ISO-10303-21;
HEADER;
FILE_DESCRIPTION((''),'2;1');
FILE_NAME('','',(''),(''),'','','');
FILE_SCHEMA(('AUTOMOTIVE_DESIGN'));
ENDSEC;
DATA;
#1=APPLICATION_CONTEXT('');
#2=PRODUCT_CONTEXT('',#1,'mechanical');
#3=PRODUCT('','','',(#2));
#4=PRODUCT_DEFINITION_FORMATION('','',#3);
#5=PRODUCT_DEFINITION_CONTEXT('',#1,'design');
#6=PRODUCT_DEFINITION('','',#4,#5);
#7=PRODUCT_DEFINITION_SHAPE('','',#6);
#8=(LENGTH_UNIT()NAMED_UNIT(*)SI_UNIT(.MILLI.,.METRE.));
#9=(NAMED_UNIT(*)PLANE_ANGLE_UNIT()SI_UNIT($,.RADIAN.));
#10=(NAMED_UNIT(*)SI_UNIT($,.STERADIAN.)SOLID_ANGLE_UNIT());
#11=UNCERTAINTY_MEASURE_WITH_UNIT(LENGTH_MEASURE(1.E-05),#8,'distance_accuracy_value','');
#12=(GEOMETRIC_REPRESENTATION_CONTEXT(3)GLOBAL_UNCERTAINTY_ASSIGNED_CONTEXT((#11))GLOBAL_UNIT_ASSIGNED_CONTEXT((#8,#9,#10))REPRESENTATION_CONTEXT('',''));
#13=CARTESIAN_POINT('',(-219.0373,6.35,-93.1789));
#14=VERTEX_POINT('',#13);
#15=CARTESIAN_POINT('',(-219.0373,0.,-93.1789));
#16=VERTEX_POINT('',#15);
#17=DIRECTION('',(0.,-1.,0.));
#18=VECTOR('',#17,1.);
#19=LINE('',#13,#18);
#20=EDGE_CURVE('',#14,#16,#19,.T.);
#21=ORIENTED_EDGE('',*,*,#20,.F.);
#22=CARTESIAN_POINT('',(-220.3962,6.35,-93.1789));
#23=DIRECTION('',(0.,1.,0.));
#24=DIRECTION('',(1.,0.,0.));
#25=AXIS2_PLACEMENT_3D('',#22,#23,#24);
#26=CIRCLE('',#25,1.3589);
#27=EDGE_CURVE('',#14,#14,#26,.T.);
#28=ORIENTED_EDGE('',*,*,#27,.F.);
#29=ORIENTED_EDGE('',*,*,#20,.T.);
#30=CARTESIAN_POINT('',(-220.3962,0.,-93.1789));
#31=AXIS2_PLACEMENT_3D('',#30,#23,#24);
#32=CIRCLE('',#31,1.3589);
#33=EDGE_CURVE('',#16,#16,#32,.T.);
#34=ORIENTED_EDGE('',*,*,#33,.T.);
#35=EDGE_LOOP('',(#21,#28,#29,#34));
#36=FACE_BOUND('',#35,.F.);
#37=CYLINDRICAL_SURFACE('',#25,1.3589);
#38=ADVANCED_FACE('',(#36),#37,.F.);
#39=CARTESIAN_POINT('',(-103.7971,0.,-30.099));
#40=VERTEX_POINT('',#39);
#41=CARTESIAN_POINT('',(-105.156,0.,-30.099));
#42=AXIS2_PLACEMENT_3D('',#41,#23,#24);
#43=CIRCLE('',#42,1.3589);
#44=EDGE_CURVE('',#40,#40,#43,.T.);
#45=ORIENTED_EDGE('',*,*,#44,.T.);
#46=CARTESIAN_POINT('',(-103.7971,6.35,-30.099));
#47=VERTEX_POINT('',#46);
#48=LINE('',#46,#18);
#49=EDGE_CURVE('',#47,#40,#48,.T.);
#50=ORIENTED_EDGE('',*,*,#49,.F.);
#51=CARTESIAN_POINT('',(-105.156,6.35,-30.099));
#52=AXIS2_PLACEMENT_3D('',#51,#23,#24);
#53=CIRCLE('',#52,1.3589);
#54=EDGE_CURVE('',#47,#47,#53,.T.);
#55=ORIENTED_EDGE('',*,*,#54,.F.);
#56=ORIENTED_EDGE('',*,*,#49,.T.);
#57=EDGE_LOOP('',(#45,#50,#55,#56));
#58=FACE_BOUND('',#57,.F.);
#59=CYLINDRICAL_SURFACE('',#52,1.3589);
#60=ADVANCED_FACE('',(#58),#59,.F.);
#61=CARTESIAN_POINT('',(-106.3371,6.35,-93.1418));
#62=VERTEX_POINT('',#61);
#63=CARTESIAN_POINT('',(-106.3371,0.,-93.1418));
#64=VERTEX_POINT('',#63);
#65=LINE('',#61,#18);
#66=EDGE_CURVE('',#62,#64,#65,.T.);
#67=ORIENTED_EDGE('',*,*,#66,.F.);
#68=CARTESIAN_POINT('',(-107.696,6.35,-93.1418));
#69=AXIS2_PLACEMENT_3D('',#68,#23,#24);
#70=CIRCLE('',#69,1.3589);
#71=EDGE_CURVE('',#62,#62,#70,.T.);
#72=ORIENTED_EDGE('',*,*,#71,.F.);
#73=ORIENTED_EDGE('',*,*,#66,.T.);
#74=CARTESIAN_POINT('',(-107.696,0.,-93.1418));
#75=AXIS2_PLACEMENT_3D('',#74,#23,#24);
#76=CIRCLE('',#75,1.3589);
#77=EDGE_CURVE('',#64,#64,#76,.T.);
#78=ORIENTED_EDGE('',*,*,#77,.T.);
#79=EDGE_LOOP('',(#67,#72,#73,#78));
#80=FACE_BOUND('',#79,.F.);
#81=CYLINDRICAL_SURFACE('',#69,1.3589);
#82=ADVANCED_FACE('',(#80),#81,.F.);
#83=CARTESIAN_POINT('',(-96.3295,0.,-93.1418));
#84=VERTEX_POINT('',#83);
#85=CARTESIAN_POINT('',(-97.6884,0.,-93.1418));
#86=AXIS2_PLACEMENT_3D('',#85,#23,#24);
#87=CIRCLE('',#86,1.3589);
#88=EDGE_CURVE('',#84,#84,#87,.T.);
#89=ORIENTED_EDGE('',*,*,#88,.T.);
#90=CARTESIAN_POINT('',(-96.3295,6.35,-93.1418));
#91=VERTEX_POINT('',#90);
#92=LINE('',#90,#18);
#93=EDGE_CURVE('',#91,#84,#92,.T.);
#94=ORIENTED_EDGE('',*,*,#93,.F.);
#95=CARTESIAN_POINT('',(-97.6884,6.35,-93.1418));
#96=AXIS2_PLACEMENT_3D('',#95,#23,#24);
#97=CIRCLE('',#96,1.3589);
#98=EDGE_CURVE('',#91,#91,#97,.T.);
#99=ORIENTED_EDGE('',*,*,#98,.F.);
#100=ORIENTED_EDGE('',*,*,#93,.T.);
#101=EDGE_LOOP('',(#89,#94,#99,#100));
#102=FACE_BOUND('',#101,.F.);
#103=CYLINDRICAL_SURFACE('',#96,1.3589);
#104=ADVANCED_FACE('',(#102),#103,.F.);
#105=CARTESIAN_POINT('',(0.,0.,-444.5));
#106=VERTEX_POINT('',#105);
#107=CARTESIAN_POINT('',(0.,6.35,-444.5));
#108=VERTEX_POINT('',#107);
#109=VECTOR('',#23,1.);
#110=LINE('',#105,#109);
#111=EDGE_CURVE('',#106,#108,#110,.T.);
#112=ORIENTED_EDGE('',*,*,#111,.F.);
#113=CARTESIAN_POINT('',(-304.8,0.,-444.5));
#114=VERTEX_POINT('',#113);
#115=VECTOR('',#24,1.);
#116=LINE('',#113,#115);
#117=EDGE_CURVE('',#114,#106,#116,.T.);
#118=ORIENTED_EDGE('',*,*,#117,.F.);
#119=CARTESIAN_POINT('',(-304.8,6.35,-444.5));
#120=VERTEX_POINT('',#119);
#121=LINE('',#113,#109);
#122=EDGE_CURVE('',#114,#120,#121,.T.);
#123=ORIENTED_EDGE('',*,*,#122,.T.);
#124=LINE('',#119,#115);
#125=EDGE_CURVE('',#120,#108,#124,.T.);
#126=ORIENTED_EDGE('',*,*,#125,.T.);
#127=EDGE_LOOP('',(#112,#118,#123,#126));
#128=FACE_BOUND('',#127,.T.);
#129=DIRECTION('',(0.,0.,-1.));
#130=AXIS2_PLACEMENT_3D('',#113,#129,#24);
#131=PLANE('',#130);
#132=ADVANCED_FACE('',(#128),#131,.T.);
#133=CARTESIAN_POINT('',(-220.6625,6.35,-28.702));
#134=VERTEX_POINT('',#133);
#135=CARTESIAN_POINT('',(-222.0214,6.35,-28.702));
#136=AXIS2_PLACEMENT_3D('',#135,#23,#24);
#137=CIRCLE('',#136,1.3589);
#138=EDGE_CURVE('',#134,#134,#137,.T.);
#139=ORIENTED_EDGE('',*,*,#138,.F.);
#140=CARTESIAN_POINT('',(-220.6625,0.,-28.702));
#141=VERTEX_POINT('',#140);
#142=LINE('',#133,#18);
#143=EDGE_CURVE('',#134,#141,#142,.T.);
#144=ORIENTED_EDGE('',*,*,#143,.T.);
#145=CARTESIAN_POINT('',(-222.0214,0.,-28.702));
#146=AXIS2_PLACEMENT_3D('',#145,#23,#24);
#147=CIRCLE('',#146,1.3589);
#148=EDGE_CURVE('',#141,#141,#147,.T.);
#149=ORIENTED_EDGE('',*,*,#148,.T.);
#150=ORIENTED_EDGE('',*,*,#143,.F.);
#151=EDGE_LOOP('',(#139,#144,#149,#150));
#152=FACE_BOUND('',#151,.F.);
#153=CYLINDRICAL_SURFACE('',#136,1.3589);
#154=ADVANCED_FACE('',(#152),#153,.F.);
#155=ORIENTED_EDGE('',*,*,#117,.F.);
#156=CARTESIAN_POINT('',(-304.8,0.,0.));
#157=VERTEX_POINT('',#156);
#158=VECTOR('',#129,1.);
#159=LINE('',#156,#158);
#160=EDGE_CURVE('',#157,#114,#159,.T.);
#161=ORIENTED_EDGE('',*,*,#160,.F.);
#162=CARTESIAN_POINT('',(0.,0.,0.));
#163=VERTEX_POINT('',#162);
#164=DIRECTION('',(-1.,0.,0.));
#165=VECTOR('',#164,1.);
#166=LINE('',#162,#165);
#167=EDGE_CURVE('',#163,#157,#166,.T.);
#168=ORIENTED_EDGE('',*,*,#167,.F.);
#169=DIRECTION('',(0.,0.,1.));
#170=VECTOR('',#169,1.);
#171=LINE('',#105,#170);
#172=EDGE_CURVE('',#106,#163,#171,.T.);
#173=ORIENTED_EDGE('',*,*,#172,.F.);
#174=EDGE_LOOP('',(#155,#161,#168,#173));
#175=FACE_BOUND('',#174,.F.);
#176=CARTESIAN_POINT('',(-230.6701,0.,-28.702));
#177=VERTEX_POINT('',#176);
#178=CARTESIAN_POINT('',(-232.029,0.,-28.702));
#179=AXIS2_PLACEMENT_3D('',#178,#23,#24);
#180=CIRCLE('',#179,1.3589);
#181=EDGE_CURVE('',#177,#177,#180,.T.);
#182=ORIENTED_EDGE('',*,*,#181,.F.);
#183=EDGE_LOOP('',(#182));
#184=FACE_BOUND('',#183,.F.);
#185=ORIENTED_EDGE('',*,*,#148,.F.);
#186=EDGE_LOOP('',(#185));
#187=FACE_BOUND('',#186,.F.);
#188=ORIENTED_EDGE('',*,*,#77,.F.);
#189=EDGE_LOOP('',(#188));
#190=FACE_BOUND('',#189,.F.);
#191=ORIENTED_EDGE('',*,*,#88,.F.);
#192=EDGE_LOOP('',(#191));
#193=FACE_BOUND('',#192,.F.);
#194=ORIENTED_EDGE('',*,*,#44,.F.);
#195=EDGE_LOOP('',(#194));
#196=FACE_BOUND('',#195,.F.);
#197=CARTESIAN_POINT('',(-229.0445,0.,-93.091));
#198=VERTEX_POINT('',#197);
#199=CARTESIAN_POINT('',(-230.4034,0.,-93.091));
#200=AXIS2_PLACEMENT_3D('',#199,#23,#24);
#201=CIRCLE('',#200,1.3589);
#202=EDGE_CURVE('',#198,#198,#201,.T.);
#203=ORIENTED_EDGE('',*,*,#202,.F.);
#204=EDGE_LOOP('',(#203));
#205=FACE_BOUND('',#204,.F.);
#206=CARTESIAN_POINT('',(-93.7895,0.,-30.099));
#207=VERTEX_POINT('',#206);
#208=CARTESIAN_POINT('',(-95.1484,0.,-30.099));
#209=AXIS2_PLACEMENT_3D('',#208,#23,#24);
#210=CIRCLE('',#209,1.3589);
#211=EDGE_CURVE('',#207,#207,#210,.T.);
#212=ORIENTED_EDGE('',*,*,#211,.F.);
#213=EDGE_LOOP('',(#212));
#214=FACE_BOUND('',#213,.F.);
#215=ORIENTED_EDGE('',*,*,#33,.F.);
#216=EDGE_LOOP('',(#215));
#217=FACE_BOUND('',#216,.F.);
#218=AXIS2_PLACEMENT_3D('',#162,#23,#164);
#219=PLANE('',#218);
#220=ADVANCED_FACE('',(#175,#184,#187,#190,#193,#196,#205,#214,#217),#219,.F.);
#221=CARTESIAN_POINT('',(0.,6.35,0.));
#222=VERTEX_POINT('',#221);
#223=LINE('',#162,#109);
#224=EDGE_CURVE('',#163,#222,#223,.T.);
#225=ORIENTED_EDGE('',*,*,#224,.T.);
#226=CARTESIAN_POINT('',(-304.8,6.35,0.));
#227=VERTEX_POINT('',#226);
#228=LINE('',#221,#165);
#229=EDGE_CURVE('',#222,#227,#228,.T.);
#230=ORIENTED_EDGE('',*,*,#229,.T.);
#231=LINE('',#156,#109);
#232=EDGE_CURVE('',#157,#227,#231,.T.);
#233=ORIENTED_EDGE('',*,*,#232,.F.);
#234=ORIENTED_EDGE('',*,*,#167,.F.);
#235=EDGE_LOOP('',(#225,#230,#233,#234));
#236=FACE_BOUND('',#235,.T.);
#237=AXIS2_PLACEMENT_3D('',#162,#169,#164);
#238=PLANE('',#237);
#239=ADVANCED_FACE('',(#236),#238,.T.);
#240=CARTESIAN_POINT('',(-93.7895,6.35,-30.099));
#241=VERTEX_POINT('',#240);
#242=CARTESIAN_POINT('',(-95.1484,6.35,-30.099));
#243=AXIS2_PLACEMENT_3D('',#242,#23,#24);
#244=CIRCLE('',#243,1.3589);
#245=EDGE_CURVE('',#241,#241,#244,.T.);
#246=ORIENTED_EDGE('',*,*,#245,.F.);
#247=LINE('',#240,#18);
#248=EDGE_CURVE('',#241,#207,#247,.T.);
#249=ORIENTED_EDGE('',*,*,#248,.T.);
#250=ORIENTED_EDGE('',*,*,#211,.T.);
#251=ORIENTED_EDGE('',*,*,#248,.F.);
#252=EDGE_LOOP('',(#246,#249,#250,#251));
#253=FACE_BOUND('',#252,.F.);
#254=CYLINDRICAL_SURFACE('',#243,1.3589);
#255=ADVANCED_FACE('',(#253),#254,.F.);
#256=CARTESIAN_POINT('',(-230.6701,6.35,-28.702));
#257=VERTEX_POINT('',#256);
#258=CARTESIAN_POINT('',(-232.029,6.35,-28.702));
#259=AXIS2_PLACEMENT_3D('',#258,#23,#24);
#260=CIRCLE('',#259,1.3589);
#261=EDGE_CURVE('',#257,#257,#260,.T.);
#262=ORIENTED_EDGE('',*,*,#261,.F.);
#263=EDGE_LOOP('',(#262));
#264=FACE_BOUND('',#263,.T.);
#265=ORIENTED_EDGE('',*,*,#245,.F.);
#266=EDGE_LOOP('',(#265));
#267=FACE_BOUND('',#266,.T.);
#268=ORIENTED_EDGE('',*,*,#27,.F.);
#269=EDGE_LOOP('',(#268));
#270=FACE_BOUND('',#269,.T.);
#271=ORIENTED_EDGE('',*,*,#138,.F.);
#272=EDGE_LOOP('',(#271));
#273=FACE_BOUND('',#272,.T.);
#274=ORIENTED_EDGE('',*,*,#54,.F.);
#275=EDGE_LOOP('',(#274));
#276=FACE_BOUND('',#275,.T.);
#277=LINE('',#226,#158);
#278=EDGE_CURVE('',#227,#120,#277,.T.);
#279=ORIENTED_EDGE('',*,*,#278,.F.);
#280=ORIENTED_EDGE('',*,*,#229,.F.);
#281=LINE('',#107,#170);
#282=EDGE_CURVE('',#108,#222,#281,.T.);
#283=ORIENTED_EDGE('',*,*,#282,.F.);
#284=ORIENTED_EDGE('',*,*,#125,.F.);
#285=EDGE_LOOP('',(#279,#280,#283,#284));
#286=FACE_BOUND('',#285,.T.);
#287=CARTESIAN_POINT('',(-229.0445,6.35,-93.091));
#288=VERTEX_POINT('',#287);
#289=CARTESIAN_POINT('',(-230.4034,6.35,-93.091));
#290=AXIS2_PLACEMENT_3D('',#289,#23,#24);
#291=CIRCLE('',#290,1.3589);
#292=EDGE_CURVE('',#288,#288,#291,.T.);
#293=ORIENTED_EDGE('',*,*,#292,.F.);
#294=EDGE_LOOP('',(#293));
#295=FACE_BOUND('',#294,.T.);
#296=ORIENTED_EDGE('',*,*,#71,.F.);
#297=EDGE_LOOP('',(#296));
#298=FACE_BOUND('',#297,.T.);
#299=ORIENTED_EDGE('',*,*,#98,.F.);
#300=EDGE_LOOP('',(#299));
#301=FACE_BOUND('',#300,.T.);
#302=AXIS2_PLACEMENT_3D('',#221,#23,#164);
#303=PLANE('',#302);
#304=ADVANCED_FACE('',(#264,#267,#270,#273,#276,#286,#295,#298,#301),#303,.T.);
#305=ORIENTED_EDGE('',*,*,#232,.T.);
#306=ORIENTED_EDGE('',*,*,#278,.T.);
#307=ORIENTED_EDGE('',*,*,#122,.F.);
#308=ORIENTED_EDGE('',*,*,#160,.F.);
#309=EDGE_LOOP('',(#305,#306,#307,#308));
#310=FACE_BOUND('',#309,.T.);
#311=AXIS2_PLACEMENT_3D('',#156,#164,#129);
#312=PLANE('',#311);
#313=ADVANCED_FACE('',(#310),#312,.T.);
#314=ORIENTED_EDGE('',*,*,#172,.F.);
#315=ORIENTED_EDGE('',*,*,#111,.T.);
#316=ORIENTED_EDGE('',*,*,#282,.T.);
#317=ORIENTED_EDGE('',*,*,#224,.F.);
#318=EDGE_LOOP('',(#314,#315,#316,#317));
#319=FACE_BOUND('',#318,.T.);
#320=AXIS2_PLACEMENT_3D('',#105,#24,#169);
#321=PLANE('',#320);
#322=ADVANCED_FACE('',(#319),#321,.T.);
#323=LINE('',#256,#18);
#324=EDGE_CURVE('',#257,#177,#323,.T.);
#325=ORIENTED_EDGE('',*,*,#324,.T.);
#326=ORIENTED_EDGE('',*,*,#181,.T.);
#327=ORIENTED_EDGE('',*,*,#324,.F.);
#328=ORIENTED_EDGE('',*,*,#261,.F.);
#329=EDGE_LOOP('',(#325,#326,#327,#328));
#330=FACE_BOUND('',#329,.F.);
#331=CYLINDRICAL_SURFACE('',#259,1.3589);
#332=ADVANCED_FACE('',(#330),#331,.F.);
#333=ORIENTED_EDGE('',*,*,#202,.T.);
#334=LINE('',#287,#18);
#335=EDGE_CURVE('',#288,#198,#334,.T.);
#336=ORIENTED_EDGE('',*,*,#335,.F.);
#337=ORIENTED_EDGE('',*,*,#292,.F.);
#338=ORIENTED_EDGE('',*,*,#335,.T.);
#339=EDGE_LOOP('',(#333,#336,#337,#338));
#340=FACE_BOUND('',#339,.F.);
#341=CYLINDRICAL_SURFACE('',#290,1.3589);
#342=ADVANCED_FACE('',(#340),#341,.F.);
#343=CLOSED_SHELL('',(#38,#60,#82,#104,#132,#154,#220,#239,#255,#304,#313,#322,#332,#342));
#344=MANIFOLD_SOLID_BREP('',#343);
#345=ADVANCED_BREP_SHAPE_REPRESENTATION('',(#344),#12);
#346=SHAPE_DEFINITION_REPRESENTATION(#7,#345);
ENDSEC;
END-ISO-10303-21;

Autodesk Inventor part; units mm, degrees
ref_plane "YZ Plane" through (0, 0, 0) normal (1, 0, 0) x (0, 1, 0)
ref_plane "XZ Plane" through (0, 0, 0) normal (0, 1, 0) x (-1, 0, 0)
ref_plane "XY Plane" through (0, 0, 0) normal (0, 0, 1) x (1, 0, 0)
sketch "Sketch1" plane through (0, 0, 0) normal (0, 1, 0) x (-1, 0, 0)
  line L0 (0, 0) -> (304.8, 0)
  line L1 (304.8, 0) -> (304.8, -444.5)
  line L2 (304.8, -444.5) -> (0, -444.5)
  line L3 (0, -444.5) -> (0, 0)
  dimension "d0" = 304.8
  dimension "d1" = 444.5
extrude "Extrusion1" add sketch "Sketch1" along normal blind 6.35
sketch "Sketch2" plane through (0, 6.35, 0) normal (0, 1, 0) x (1, 0, 0)
  circle A0 centre (-95.1484, 30.099) radius 1.3589
  circle A1 centre (-105.156, 30.099) radius 1.3589
  line L0 (-304.8, 0) -> (0, 0) projected
  line L1 (0, 0) -> (0, 444.5) projected
  dimension "d4" = 2.7178
  dimension "d5" = 2.7178
  dimension "d7" = 95.1484
  dimension "d8" = 10.0076
  dimension "d9" = 30.099
  dimension "d37" = 30.099
extrude "Extrusion2" cut sketch "Sketch2" against normal blind 25.4
sketch "Sketch3" plane through (0, 6.35, 0) normal (0, 1, 0) x (1, 0, 0)
  circle A0 centre (-107.696, 93.1418) radius 1.3589
  circle A1 centre (-97.6884, 93.1418) radius 1.3589
  circle A2 centre (-95.1484, 30.099) radius 1.3589 projected
  circle A3 centre (-105.156, 30.099) radius 1.3589 projected
  line L0 (0, 0) -> (0, 444.5) projected
  dimension "d12" = 2.7178
  dimension "d13" = 2.7178
  dimension "d14" = 63.0428
  dimension "d15" = 63.0428
  dimension "d16" = 10.0076
  dimension "d17" = 97.6884
extrude "Extrusion3" cut sketch "Sketch3" against normal blind 25.4 contours A0 | A1
sketch "Sketch4" plane through (0, 6.35, 0) normal (0, 1, 0) x (1, 0, 0)
  circle A0 centre (-230.4034, 93.091) radius 1.3589
  circle A1 centre (-220.3962, 93.1789) radius 1.3589
  line L0 (-304.8, 444.5) -> (-304.8, 0) projected
  line L1 (-304.8, 0) -> (0, 0) projected
  dimension "d20" = 2.7178
  dimension "d21" = 2.7178
  dimension "d22" = 10.0076
  dimension "d23" = 74.3966
  dimension "d24" = 93.091
extrude "Extrusion4" cut sketch "Sketch4" against normal blind 25.4
sketch "Sketch5" plane through (0, 6.35, 0) normal (0, 1, 0) x (1, 0, 0)
  circle A0 centre (-232.029, 28.702) radius 1.3589
  circle A1 centre (-222.0214, 28.702) radius 1.3589
  line L0 (-304.8, 0) -> (0, 0) projected
  line L1 (-304.8, 444.5) -> (-304.8, 0) projected
  line L2 (0, 0) -> (0, 444.5) projected
  dimension "d27" = 2.7178
  dimension "d28" = 2.7178
  dimension "d31" = 28.702
  dimension "d32" = 10.0076
  dimension "d36" = 222.0214
  dimension "d38" = 28.702
extrude "Extrusion5" cut sketch "Sketch5" against normal blind 25.4
properties part number "main plate"
